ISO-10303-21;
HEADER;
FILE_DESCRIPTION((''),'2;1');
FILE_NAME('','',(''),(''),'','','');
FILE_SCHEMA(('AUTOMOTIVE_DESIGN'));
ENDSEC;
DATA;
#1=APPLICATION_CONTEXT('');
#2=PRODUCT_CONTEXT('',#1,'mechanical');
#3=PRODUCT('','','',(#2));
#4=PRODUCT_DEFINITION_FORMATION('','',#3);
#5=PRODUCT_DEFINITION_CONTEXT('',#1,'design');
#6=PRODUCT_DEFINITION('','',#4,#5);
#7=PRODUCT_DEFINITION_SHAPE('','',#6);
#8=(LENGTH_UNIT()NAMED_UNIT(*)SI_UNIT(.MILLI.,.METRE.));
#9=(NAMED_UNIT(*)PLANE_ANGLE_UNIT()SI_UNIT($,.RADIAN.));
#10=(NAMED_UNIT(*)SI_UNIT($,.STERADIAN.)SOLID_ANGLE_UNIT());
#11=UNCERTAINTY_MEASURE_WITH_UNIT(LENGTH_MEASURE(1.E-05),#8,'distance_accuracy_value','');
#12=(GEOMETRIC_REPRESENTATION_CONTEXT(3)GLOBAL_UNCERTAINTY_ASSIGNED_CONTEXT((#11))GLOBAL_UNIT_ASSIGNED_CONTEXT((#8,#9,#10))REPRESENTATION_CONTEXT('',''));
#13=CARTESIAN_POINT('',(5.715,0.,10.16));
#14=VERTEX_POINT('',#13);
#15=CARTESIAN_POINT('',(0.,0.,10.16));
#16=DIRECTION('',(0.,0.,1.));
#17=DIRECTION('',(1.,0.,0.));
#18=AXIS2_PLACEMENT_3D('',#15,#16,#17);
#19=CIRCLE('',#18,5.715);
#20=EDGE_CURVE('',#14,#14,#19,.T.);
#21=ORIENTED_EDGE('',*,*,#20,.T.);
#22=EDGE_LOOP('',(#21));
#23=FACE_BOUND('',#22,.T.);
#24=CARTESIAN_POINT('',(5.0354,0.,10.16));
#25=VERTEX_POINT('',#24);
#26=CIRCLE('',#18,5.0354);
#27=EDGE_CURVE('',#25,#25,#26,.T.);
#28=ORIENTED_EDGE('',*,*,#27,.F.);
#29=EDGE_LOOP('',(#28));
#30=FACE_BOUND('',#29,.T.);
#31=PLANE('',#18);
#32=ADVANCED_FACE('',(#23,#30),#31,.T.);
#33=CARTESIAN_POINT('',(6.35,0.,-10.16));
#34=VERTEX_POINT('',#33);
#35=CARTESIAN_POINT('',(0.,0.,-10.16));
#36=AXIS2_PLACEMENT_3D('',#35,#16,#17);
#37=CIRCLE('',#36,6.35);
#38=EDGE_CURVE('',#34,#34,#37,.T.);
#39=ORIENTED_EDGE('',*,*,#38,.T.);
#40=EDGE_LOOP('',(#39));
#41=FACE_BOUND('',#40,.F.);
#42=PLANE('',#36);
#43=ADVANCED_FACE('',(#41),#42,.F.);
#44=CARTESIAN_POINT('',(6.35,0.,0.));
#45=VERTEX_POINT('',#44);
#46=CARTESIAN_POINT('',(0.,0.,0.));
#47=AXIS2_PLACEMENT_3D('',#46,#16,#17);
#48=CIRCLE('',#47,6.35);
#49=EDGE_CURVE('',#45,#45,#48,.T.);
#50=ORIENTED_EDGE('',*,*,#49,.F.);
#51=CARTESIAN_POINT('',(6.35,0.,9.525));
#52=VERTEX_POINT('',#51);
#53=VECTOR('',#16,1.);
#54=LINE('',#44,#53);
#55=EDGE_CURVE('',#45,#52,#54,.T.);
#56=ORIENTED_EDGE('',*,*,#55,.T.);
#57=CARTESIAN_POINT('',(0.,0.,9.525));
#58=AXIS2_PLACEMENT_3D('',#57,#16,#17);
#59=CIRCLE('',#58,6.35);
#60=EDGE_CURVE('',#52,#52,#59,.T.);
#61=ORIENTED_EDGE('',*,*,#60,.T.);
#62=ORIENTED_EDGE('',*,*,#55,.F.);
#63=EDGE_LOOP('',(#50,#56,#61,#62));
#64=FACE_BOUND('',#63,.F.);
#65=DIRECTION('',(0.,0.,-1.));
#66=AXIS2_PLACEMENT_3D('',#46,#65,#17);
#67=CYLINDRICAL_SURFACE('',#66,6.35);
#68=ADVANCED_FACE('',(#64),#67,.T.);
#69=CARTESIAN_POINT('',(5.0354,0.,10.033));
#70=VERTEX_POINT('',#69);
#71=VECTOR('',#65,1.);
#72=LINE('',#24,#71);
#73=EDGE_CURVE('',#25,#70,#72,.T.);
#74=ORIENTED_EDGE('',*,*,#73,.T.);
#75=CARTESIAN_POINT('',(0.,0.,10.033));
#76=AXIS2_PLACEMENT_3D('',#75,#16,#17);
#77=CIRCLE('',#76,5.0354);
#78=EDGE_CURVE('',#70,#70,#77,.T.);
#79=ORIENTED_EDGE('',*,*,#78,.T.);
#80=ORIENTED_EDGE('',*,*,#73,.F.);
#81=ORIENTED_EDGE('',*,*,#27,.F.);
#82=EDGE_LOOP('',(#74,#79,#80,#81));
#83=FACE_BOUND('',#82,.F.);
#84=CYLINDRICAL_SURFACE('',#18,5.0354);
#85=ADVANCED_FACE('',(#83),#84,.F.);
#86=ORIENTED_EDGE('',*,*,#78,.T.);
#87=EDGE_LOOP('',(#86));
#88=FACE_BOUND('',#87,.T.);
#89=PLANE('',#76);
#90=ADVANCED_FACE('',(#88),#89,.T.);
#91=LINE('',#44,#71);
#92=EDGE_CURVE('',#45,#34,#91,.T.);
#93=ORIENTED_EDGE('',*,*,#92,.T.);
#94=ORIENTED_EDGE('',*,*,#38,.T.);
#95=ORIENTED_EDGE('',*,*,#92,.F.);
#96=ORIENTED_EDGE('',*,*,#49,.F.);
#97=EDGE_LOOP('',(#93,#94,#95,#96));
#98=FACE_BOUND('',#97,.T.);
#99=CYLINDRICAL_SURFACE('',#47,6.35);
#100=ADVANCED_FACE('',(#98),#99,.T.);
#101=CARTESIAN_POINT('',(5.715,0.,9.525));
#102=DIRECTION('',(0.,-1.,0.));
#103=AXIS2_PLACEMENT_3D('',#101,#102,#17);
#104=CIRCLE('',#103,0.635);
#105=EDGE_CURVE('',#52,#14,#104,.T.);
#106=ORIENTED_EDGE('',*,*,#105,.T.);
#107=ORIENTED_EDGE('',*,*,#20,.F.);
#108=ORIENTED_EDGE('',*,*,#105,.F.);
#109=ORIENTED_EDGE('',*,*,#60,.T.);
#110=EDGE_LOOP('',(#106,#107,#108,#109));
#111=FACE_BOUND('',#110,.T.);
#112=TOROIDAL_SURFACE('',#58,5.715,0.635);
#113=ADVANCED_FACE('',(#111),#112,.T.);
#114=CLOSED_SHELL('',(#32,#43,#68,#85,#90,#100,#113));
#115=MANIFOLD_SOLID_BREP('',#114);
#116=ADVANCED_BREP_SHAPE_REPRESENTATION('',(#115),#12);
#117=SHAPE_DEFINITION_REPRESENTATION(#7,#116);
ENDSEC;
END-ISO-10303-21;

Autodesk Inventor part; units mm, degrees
ref_plane "YZ Plane" through (0, 0, 0) normal (1, 0, 0) x (0, 1, 0)
ref_plane "XZ Plane" through (0, 0, 0) normal (0, 1, 0) x (-1, 0, 0)
ref_plane "XY Plane" through (0, 0, 0) normal (0, 0, 1) x (1, 0, 0)
sketch "Sketch1" plane through (0, 0, 0) normal (0, 0, 1) x (1, 0, 0)
  circle A0 centre (0, 0) radius 6.35
  dimension "d0" = 12.7
extrude "Extrusion1" add sketch "Sketch1" along normal mid plane 20.32
fillet "Fillet1" radius 0.635 1 edges at (-6.35, 0, 10.16)
sketch "Sketch2" plane through (0, 0, 10.16) normal (0, 0, 1) x (1, 0, 0)
  circle A0 centre (0, 0) radius 5.715 projected
  circle A1 centre (0, 0) radius 5.0354
extrude "Extrusion2" cut sketch "Sketch2" against normal blind 0.127 contours A1
properties part number "Capacitor"
